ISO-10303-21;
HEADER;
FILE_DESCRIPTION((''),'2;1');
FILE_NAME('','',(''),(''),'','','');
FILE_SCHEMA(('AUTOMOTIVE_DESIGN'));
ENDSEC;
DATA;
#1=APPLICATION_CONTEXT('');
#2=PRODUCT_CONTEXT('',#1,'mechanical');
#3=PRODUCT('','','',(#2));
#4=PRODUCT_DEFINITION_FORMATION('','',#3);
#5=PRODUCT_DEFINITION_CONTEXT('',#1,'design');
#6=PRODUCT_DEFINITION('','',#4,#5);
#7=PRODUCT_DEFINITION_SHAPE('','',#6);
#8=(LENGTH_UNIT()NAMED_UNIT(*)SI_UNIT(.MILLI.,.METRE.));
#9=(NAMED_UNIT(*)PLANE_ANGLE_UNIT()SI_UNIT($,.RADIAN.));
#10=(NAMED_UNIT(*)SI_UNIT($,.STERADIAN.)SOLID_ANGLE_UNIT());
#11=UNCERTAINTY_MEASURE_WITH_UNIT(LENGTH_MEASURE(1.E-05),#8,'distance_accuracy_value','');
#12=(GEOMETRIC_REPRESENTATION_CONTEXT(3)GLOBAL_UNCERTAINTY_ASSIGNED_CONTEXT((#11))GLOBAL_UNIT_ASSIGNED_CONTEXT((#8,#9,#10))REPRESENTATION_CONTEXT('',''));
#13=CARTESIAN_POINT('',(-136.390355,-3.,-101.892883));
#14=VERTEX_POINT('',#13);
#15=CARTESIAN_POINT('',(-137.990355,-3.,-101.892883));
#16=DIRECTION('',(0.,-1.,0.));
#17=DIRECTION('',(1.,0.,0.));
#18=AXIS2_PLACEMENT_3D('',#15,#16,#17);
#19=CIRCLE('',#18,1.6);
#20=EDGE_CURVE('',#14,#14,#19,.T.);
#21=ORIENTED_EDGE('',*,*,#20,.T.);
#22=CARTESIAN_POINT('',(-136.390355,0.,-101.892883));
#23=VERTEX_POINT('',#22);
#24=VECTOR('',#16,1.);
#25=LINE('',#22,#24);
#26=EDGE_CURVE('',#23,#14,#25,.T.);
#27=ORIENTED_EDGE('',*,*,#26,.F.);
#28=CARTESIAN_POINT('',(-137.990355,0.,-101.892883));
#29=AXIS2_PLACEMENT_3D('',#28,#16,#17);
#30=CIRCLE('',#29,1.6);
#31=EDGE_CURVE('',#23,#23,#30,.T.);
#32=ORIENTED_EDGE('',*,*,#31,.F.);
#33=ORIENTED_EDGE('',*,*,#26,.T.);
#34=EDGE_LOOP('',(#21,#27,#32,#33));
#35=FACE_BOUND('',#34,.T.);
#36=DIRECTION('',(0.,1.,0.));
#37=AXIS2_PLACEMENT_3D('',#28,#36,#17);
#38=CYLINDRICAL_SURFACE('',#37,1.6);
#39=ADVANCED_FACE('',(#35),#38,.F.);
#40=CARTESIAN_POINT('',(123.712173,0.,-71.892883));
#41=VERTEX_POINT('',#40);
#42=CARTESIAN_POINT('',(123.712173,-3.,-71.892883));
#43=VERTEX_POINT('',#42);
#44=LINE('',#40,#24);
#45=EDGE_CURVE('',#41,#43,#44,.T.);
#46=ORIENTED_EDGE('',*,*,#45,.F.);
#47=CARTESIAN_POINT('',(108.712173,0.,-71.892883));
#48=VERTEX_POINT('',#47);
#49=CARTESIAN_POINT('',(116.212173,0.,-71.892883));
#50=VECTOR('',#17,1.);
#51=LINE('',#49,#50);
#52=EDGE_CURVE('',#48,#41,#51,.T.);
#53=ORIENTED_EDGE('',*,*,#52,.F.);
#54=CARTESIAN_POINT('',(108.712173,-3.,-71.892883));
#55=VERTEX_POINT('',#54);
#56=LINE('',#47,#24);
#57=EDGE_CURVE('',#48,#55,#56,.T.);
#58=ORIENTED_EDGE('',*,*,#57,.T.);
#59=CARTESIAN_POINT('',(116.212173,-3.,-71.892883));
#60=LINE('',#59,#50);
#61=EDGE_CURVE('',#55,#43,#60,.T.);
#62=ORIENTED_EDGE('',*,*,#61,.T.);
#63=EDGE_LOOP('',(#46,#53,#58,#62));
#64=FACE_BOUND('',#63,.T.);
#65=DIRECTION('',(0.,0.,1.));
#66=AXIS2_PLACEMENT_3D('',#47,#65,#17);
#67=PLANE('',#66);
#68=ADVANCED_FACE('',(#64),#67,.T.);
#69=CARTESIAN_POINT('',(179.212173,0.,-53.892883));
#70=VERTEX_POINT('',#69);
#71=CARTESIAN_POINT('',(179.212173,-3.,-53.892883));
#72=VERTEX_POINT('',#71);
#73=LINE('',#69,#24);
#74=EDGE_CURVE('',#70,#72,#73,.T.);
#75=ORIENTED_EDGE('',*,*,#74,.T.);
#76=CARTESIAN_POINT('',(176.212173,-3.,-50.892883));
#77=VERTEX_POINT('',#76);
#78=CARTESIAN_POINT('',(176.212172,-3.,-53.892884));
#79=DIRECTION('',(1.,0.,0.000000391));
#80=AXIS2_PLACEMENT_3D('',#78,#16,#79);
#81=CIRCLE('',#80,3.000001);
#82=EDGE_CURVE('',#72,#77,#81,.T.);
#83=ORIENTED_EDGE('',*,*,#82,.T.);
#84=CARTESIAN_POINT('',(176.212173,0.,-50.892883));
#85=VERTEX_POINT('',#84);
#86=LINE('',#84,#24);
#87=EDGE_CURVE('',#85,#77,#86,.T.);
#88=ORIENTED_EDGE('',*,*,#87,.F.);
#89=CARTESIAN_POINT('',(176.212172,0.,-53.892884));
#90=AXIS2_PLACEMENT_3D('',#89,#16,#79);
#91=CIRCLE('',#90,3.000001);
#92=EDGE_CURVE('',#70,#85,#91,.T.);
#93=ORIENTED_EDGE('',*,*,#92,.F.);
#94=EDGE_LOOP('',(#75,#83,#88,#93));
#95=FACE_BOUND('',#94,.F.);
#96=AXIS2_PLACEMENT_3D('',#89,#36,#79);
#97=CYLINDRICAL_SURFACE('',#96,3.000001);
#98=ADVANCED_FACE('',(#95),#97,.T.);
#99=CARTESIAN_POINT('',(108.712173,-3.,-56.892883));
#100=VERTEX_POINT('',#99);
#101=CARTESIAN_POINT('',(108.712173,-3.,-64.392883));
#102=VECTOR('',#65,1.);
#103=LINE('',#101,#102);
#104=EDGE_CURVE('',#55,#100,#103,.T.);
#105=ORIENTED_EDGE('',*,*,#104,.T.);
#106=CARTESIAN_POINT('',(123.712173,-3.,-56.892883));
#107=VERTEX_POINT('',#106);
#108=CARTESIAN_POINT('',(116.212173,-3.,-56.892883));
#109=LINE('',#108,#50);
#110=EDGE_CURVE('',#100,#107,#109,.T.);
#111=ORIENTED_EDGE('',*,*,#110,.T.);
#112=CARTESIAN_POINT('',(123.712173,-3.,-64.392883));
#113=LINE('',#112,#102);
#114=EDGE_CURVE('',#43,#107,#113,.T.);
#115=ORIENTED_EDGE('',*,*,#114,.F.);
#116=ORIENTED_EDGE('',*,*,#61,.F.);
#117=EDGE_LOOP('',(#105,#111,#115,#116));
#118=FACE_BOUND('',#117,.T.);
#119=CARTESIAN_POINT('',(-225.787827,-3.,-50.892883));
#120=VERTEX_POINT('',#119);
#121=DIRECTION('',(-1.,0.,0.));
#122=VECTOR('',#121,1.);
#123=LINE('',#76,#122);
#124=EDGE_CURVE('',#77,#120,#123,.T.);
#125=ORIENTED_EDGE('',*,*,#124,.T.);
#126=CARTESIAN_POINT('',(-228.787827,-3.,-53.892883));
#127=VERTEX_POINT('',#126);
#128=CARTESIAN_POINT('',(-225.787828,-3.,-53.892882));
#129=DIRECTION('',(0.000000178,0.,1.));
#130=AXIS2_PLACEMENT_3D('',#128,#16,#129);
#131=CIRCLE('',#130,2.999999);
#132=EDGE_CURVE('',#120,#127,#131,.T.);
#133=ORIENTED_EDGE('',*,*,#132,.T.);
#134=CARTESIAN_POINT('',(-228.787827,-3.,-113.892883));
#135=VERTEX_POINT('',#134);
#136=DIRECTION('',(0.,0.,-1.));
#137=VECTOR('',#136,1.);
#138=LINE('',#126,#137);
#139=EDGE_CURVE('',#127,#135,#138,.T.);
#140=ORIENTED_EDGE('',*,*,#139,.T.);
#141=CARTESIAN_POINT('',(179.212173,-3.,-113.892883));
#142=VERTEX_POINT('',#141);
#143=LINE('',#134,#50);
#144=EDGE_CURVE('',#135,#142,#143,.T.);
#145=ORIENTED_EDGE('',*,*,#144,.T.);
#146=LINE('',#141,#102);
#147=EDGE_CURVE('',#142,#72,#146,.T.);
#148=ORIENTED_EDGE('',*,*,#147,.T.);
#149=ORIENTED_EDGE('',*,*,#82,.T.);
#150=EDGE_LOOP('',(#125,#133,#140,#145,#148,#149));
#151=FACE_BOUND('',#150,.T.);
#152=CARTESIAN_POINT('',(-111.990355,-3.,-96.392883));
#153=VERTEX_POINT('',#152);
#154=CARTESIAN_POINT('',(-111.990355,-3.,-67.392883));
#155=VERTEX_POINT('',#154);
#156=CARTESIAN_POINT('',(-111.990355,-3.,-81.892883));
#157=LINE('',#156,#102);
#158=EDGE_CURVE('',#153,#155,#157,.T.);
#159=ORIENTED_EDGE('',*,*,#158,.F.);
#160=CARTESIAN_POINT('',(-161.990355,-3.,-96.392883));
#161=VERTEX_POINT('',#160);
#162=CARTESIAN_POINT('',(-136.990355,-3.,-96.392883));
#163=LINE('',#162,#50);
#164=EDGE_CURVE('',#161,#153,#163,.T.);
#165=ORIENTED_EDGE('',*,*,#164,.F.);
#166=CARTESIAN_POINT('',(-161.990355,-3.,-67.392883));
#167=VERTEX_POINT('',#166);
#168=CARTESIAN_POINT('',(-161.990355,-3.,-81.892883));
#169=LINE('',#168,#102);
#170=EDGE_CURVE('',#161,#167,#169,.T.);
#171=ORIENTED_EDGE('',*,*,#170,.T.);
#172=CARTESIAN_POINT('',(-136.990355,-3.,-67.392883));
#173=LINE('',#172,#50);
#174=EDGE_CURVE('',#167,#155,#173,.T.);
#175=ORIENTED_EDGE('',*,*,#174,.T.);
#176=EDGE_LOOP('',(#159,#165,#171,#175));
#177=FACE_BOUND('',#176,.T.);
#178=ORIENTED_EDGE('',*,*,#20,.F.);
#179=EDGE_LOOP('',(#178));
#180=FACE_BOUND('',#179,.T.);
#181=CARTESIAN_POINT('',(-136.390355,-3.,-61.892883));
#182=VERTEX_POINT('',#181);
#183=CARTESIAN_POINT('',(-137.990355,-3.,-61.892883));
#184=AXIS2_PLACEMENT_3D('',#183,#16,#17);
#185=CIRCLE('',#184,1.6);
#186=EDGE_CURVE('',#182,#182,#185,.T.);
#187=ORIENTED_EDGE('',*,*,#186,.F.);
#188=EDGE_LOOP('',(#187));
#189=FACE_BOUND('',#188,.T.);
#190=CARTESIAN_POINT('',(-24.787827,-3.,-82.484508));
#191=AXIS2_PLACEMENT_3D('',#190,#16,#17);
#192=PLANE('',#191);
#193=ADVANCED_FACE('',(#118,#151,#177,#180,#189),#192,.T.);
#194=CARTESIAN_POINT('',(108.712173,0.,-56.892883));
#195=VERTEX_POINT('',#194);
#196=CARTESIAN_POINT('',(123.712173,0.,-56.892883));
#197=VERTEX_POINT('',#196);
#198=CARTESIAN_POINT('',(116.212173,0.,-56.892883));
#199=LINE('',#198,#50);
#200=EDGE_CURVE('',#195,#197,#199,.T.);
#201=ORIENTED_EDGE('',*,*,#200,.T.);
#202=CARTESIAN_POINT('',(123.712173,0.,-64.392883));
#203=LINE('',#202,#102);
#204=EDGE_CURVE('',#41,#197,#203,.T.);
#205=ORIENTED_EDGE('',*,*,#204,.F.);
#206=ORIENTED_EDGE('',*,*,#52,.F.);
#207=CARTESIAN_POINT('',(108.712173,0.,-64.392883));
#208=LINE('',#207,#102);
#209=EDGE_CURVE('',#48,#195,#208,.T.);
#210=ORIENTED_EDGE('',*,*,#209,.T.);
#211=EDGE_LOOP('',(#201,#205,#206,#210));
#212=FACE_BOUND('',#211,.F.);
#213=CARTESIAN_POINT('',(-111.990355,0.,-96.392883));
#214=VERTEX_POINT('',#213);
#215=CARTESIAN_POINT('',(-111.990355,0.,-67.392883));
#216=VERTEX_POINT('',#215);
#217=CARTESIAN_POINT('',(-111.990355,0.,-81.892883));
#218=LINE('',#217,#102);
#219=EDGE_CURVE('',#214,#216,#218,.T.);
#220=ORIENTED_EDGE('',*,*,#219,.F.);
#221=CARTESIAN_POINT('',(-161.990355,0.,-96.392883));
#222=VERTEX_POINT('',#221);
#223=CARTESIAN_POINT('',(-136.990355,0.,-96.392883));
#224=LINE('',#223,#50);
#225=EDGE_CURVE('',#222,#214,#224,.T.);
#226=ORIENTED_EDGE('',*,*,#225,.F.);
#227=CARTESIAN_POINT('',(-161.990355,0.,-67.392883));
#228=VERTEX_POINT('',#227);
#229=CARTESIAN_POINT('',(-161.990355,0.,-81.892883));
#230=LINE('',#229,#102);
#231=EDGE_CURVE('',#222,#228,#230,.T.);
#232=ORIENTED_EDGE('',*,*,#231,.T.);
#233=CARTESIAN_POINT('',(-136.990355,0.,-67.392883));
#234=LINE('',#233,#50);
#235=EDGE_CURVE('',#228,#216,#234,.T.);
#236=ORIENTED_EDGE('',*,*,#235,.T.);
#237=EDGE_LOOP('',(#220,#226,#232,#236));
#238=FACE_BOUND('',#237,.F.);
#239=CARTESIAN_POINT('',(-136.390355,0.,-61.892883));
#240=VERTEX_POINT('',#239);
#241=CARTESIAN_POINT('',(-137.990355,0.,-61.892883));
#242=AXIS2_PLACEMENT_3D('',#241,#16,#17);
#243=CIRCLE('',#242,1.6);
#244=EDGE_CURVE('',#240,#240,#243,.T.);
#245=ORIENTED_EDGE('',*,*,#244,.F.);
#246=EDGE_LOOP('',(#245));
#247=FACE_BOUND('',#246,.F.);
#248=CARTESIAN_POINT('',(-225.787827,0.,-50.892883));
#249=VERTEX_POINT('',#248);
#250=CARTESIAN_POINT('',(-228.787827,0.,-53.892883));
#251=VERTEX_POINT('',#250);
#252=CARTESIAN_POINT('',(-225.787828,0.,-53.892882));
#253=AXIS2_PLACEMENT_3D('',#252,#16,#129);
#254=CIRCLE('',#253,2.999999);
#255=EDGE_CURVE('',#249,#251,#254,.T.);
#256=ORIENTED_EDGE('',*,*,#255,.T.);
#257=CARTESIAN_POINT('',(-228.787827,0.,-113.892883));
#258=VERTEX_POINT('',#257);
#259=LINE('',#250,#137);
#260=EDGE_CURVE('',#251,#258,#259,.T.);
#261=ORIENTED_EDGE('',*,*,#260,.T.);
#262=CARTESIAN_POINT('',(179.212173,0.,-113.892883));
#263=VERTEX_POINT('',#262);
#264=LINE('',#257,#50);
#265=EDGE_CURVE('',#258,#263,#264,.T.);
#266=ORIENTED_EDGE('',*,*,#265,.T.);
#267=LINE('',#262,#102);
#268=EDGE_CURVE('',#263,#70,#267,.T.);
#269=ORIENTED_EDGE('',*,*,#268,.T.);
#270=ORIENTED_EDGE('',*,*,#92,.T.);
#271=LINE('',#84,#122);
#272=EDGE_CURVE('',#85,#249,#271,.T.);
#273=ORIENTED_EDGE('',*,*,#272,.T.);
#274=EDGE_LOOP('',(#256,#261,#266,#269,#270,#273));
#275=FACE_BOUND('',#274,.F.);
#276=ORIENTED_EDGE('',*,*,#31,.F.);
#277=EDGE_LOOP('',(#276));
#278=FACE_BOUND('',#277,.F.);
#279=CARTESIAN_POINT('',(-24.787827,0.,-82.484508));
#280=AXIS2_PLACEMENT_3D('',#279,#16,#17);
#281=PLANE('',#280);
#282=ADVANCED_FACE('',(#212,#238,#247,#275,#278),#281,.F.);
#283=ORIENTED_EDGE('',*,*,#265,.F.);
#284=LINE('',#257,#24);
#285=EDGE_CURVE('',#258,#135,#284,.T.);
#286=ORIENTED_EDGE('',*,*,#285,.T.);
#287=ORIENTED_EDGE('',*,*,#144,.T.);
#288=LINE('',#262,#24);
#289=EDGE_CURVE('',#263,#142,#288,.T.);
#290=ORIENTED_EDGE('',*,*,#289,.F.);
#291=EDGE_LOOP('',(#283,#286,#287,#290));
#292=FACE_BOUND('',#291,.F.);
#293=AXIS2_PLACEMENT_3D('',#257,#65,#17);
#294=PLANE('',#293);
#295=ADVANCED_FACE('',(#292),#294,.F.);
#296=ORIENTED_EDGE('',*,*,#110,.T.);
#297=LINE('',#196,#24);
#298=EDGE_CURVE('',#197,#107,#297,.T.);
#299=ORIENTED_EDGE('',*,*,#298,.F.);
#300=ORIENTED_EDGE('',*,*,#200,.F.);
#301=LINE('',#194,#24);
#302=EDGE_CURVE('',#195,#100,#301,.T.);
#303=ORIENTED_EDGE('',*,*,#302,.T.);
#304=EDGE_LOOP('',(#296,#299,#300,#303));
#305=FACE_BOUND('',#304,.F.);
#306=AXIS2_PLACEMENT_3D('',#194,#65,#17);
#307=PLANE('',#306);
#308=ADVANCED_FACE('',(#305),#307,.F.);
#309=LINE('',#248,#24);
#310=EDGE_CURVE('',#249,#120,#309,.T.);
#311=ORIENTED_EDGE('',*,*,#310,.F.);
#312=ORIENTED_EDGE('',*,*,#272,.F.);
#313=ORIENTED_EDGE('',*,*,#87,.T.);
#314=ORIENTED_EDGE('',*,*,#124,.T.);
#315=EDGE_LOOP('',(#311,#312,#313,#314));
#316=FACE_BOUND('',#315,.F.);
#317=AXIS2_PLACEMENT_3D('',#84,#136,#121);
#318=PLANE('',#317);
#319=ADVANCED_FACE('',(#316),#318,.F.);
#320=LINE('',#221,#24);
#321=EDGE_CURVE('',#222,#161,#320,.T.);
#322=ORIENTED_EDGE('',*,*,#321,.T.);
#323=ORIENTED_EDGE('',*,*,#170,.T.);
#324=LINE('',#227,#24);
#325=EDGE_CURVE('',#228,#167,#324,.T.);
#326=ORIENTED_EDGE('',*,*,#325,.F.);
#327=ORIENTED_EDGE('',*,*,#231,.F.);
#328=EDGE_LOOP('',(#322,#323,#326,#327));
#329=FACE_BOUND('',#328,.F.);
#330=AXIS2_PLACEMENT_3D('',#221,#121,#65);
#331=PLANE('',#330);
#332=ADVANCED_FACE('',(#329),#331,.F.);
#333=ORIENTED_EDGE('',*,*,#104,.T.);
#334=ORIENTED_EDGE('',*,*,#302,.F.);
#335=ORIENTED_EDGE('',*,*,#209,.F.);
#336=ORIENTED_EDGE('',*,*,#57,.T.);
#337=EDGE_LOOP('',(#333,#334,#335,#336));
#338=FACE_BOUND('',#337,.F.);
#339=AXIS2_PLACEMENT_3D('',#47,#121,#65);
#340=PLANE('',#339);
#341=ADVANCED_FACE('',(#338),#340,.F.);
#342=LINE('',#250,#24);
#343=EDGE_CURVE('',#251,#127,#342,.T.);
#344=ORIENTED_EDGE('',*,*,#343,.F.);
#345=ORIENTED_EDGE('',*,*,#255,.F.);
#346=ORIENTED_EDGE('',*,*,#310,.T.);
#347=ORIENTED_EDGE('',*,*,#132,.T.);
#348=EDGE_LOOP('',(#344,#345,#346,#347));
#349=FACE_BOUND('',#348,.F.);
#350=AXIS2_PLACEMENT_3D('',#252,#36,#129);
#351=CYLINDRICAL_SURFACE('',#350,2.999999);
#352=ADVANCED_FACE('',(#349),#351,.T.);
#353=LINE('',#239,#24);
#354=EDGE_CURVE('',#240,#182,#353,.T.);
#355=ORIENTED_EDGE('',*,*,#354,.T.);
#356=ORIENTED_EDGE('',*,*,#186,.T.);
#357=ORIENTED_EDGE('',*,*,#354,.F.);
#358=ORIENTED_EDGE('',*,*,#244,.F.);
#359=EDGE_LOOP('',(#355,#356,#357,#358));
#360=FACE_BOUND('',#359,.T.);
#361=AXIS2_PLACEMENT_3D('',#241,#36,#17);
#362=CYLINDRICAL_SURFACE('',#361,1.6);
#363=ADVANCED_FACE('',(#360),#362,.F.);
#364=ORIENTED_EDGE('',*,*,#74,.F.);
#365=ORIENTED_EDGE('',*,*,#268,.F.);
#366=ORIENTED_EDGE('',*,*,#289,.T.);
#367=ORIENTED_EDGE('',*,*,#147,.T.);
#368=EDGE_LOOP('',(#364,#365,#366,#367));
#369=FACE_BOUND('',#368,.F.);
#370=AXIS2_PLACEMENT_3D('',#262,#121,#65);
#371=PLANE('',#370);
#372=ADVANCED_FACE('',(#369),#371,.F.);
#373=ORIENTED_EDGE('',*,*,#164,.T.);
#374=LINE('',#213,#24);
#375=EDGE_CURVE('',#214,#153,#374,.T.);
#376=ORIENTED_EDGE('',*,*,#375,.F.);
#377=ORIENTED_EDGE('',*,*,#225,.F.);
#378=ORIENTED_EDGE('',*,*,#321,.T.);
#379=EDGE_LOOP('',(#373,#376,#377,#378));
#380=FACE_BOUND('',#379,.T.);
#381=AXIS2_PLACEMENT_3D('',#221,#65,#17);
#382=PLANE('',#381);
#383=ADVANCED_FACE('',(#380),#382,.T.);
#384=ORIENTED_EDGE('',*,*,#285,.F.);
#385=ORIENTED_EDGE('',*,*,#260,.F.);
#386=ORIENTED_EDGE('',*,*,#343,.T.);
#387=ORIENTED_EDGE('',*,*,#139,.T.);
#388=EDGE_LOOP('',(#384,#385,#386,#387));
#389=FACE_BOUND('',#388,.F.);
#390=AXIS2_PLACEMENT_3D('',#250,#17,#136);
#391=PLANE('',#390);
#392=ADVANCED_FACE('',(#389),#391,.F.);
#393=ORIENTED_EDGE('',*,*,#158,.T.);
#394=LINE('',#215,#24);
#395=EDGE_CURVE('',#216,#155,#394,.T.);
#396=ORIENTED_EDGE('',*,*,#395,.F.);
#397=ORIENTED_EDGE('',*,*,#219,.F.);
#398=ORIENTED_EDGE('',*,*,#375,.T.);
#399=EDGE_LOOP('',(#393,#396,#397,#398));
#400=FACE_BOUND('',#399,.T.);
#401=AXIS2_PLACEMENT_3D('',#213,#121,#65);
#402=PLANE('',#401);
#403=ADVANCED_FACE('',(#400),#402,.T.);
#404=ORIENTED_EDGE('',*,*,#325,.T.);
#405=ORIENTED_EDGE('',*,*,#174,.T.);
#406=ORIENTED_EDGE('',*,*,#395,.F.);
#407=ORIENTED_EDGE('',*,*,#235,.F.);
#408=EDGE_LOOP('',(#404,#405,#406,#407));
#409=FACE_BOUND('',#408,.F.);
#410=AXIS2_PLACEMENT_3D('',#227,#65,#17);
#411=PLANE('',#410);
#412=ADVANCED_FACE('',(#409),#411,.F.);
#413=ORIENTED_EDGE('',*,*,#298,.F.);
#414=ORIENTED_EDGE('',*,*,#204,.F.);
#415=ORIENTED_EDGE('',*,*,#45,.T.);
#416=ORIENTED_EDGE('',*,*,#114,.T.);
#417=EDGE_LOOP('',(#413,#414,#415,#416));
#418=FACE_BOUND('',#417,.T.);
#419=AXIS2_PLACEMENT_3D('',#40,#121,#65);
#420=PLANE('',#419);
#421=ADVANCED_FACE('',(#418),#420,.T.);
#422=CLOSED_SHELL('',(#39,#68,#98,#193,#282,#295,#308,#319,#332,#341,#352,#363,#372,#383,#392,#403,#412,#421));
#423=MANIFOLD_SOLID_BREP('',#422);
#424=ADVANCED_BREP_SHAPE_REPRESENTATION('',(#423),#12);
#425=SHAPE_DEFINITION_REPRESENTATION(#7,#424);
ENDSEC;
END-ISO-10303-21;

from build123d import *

# Parameters (mm, degrees)
F0_R     = 1.6
F0_W     = 50
F0_H     = 29
F0_W_2   = 15
F0_H_2   = 15
F1_DEPTH = 3


with BuildPart() as f1:
    # F0 (on Front) → F1 (new body)
    with BuildSketch(Plane.XZ):
        with BuildLine():
            Line((176.212173, -50.892883), (-225.787827, -50.892883))
            ThreePointArc((-225.787827, -50.892883), (-227.909148, -51.771563), (-228.787827, -53.892883))
            Line((-228.787827, -53.892883), (-228.787827, -113.892883))
            Line((-228.787827, -113.892883), (179.212173, -113.892883))
            Line((179.212173, -113.892883), (179.212173, -53.892883))
            ThreePointArc((179.212173, -53.892883), (178.333493, -51.771563), (176.212173, -50.892883))
        make_face()
        with Locations((-137.990355, -101.892883)):
            Circle(F0_R, mode=Mode.SUBTRACT)
        with Locations((-136.990355, -81.892883)):
            Rectangle(F0_W, F0_H, mode=Mode.SUBTRACT)
        with Locations((-137.990355, -61.892883)):
            Circle(F0_R, mode=Mode.SUBTRACT)
        with Locations((116.212173, -64.392883)):
            Rectangle(F0_W_2, F0_H_2, mode=Mode.SUBTRACT)
    extrude(amount=F1_DEPTH)


solid = f1.part
